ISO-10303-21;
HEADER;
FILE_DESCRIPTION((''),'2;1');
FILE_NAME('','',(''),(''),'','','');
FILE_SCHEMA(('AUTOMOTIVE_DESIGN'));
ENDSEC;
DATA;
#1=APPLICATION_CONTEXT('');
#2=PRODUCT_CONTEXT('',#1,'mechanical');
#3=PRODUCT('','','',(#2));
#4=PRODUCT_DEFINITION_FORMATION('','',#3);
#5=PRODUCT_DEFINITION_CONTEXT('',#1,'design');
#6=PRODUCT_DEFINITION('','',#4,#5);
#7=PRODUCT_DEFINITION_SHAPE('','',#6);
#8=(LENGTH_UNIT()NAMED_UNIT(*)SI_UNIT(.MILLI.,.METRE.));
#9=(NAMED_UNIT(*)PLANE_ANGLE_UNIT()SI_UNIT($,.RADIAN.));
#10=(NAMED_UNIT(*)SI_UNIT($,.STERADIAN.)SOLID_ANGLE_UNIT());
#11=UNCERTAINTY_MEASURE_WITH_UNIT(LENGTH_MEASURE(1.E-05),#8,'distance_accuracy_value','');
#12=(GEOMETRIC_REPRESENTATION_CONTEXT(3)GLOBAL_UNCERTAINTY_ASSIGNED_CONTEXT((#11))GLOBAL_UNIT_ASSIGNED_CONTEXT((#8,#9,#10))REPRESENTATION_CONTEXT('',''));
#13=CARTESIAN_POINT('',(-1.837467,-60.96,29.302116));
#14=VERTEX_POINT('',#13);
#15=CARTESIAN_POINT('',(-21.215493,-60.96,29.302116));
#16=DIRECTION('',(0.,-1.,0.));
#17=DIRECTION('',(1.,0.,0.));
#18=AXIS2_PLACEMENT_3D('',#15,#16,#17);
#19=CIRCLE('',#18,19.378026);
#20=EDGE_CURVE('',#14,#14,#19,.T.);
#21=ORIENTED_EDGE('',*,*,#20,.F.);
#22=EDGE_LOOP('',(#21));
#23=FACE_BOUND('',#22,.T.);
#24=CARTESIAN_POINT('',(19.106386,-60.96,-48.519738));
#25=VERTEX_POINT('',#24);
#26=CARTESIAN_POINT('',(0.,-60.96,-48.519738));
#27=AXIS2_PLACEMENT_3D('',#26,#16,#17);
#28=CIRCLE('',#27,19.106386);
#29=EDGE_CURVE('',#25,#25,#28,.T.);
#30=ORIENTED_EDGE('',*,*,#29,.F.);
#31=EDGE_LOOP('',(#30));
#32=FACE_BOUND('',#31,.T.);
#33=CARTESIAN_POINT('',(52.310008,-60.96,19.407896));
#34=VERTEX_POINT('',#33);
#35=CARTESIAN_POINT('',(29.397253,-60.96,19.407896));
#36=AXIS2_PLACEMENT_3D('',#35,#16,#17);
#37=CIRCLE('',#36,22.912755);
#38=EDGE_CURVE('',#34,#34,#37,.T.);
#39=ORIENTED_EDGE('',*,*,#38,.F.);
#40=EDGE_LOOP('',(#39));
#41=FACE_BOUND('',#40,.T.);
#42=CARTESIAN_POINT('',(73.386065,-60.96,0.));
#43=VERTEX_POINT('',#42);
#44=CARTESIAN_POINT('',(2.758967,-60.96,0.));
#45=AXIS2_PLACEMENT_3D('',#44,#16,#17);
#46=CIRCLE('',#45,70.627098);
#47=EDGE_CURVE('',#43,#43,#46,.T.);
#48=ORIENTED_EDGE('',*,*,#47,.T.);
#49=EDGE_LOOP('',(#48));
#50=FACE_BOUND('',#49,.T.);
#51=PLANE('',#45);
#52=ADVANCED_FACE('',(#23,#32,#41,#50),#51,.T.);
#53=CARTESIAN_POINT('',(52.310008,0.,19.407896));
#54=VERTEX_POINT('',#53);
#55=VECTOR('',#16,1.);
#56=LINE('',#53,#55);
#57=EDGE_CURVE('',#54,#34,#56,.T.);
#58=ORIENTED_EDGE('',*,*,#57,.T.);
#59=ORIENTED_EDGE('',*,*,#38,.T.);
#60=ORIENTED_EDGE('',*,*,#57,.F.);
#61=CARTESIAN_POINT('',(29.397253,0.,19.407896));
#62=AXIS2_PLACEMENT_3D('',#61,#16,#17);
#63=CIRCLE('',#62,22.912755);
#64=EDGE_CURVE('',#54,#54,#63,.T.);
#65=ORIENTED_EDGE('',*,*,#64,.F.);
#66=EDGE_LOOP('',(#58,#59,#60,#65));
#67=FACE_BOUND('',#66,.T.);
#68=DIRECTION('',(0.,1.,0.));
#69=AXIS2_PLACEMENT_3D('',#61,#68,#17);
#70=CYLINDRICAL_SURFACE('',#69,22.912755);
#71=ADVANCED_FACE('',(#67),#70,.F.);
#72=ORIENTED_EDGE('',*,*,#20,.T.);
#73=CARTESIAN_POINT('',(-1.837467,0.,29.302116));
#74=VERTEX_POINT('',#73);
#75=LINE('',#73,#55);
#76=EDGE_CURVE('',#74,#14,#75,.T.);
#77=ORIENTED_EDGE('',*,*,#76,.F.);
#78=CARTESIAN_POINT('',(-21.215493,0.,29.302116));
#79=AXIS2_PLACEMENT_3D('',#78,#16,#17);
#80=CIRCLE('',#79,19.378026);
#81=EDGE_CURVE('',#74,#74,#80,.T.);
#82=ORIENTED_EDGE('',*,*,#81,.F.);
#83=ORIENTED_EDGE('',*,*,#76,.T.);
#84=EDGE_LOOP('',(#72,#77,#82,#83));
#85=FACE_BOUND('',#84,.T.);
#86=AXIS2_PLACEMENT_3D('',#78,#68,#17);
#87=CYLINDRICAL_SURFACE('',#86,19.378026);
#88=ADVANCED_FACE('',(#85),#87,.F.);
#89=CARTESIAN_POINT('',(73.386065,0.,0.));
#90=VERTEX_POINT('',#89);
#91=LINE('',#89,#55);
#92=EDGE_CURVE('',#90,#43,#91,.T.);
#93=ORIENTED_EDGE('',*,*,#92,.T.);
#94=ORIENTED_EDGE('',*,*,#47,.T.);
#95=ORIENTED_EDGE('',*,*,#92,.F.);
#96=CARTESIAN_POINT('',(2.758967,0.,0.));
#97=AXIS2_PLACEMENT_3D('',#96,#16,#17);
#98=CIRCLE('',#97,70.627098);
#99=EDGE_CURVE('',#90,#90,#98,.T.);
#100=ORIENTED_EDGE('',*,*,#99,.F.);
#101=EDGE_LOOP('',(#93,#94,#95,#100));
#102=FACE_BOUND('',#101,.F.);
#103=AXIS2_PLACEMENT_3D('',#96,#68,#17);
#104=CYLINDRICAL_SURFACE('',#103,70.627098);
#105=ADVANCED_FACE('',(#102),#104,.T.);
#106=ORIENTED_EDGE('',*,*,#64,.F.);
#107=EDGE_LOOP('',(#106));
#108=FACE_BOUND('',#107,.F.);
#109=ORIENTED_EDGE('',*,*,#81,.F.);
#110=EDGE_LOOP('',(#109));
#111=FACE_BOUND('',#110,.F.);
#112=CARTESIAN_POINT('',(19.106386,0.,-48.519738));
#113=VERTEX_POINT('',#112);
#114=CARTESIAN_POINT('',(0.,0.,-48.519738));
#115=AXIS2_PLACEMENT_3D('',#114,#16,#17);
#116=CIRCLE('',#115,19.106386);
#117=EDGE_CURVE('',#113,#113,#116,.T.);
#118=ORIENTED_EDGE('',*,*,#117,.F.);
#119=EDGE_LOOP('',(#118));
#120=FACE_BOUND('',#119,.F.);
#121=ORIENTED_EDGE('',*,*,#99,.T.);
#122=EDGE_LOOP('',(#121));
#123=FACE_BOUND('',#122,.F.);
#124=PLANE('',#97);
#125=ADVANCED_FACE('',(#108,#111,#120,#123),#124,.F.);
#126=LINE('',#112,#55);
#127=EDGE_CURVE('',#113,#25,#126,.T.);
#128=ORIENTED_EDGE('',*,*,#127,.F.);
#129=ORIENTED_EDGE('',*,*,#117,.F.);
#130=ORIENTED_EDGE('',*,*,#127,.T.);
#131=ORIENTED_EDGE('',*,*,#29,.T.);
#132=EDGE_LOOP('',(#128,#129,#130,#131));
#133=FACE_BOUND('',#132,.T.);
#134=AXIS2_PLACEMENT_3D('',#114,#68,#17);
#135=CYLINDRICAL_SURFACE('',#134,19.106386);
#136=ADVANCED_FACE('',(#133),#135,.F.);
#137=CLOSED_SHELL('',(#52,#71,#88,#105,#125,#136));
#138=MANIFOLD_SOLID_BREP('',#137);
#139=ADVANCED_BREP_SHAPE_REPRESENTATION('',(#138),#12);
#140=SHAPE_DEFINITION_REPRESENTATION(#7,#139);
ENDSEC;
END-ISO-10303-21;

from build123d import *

# Parameters (mm, degrees)
F0_R     = 70.627098
F0_R_2   = 19.106386
F0_R_3   = 19.378026
F0_R_4   = 22.912755
F1_DEPTH = 60.96


with BuildPart() as f1:
    # F0 (on Front) → F1 (new body)
    with BuildSketch(Plane.XZ):
        with Locations((2.758967, 0)):
            Circle(F0_R)
        with Locations((0, -48.519738)):
            Circle(F0_R_2, mode=Mode.SUBTRACT)
        with Locations((-21.215493, 29.302116)):
            Circle(F0_R_3, mode=Mode.SUBTRACT)
        with Locations((29.397253, 19.407896)):
            Circle(F0_R_4, mode=Mode.SUBTRACT)
    extrude(amount=F1_DEPTH)


solid = f1.part
